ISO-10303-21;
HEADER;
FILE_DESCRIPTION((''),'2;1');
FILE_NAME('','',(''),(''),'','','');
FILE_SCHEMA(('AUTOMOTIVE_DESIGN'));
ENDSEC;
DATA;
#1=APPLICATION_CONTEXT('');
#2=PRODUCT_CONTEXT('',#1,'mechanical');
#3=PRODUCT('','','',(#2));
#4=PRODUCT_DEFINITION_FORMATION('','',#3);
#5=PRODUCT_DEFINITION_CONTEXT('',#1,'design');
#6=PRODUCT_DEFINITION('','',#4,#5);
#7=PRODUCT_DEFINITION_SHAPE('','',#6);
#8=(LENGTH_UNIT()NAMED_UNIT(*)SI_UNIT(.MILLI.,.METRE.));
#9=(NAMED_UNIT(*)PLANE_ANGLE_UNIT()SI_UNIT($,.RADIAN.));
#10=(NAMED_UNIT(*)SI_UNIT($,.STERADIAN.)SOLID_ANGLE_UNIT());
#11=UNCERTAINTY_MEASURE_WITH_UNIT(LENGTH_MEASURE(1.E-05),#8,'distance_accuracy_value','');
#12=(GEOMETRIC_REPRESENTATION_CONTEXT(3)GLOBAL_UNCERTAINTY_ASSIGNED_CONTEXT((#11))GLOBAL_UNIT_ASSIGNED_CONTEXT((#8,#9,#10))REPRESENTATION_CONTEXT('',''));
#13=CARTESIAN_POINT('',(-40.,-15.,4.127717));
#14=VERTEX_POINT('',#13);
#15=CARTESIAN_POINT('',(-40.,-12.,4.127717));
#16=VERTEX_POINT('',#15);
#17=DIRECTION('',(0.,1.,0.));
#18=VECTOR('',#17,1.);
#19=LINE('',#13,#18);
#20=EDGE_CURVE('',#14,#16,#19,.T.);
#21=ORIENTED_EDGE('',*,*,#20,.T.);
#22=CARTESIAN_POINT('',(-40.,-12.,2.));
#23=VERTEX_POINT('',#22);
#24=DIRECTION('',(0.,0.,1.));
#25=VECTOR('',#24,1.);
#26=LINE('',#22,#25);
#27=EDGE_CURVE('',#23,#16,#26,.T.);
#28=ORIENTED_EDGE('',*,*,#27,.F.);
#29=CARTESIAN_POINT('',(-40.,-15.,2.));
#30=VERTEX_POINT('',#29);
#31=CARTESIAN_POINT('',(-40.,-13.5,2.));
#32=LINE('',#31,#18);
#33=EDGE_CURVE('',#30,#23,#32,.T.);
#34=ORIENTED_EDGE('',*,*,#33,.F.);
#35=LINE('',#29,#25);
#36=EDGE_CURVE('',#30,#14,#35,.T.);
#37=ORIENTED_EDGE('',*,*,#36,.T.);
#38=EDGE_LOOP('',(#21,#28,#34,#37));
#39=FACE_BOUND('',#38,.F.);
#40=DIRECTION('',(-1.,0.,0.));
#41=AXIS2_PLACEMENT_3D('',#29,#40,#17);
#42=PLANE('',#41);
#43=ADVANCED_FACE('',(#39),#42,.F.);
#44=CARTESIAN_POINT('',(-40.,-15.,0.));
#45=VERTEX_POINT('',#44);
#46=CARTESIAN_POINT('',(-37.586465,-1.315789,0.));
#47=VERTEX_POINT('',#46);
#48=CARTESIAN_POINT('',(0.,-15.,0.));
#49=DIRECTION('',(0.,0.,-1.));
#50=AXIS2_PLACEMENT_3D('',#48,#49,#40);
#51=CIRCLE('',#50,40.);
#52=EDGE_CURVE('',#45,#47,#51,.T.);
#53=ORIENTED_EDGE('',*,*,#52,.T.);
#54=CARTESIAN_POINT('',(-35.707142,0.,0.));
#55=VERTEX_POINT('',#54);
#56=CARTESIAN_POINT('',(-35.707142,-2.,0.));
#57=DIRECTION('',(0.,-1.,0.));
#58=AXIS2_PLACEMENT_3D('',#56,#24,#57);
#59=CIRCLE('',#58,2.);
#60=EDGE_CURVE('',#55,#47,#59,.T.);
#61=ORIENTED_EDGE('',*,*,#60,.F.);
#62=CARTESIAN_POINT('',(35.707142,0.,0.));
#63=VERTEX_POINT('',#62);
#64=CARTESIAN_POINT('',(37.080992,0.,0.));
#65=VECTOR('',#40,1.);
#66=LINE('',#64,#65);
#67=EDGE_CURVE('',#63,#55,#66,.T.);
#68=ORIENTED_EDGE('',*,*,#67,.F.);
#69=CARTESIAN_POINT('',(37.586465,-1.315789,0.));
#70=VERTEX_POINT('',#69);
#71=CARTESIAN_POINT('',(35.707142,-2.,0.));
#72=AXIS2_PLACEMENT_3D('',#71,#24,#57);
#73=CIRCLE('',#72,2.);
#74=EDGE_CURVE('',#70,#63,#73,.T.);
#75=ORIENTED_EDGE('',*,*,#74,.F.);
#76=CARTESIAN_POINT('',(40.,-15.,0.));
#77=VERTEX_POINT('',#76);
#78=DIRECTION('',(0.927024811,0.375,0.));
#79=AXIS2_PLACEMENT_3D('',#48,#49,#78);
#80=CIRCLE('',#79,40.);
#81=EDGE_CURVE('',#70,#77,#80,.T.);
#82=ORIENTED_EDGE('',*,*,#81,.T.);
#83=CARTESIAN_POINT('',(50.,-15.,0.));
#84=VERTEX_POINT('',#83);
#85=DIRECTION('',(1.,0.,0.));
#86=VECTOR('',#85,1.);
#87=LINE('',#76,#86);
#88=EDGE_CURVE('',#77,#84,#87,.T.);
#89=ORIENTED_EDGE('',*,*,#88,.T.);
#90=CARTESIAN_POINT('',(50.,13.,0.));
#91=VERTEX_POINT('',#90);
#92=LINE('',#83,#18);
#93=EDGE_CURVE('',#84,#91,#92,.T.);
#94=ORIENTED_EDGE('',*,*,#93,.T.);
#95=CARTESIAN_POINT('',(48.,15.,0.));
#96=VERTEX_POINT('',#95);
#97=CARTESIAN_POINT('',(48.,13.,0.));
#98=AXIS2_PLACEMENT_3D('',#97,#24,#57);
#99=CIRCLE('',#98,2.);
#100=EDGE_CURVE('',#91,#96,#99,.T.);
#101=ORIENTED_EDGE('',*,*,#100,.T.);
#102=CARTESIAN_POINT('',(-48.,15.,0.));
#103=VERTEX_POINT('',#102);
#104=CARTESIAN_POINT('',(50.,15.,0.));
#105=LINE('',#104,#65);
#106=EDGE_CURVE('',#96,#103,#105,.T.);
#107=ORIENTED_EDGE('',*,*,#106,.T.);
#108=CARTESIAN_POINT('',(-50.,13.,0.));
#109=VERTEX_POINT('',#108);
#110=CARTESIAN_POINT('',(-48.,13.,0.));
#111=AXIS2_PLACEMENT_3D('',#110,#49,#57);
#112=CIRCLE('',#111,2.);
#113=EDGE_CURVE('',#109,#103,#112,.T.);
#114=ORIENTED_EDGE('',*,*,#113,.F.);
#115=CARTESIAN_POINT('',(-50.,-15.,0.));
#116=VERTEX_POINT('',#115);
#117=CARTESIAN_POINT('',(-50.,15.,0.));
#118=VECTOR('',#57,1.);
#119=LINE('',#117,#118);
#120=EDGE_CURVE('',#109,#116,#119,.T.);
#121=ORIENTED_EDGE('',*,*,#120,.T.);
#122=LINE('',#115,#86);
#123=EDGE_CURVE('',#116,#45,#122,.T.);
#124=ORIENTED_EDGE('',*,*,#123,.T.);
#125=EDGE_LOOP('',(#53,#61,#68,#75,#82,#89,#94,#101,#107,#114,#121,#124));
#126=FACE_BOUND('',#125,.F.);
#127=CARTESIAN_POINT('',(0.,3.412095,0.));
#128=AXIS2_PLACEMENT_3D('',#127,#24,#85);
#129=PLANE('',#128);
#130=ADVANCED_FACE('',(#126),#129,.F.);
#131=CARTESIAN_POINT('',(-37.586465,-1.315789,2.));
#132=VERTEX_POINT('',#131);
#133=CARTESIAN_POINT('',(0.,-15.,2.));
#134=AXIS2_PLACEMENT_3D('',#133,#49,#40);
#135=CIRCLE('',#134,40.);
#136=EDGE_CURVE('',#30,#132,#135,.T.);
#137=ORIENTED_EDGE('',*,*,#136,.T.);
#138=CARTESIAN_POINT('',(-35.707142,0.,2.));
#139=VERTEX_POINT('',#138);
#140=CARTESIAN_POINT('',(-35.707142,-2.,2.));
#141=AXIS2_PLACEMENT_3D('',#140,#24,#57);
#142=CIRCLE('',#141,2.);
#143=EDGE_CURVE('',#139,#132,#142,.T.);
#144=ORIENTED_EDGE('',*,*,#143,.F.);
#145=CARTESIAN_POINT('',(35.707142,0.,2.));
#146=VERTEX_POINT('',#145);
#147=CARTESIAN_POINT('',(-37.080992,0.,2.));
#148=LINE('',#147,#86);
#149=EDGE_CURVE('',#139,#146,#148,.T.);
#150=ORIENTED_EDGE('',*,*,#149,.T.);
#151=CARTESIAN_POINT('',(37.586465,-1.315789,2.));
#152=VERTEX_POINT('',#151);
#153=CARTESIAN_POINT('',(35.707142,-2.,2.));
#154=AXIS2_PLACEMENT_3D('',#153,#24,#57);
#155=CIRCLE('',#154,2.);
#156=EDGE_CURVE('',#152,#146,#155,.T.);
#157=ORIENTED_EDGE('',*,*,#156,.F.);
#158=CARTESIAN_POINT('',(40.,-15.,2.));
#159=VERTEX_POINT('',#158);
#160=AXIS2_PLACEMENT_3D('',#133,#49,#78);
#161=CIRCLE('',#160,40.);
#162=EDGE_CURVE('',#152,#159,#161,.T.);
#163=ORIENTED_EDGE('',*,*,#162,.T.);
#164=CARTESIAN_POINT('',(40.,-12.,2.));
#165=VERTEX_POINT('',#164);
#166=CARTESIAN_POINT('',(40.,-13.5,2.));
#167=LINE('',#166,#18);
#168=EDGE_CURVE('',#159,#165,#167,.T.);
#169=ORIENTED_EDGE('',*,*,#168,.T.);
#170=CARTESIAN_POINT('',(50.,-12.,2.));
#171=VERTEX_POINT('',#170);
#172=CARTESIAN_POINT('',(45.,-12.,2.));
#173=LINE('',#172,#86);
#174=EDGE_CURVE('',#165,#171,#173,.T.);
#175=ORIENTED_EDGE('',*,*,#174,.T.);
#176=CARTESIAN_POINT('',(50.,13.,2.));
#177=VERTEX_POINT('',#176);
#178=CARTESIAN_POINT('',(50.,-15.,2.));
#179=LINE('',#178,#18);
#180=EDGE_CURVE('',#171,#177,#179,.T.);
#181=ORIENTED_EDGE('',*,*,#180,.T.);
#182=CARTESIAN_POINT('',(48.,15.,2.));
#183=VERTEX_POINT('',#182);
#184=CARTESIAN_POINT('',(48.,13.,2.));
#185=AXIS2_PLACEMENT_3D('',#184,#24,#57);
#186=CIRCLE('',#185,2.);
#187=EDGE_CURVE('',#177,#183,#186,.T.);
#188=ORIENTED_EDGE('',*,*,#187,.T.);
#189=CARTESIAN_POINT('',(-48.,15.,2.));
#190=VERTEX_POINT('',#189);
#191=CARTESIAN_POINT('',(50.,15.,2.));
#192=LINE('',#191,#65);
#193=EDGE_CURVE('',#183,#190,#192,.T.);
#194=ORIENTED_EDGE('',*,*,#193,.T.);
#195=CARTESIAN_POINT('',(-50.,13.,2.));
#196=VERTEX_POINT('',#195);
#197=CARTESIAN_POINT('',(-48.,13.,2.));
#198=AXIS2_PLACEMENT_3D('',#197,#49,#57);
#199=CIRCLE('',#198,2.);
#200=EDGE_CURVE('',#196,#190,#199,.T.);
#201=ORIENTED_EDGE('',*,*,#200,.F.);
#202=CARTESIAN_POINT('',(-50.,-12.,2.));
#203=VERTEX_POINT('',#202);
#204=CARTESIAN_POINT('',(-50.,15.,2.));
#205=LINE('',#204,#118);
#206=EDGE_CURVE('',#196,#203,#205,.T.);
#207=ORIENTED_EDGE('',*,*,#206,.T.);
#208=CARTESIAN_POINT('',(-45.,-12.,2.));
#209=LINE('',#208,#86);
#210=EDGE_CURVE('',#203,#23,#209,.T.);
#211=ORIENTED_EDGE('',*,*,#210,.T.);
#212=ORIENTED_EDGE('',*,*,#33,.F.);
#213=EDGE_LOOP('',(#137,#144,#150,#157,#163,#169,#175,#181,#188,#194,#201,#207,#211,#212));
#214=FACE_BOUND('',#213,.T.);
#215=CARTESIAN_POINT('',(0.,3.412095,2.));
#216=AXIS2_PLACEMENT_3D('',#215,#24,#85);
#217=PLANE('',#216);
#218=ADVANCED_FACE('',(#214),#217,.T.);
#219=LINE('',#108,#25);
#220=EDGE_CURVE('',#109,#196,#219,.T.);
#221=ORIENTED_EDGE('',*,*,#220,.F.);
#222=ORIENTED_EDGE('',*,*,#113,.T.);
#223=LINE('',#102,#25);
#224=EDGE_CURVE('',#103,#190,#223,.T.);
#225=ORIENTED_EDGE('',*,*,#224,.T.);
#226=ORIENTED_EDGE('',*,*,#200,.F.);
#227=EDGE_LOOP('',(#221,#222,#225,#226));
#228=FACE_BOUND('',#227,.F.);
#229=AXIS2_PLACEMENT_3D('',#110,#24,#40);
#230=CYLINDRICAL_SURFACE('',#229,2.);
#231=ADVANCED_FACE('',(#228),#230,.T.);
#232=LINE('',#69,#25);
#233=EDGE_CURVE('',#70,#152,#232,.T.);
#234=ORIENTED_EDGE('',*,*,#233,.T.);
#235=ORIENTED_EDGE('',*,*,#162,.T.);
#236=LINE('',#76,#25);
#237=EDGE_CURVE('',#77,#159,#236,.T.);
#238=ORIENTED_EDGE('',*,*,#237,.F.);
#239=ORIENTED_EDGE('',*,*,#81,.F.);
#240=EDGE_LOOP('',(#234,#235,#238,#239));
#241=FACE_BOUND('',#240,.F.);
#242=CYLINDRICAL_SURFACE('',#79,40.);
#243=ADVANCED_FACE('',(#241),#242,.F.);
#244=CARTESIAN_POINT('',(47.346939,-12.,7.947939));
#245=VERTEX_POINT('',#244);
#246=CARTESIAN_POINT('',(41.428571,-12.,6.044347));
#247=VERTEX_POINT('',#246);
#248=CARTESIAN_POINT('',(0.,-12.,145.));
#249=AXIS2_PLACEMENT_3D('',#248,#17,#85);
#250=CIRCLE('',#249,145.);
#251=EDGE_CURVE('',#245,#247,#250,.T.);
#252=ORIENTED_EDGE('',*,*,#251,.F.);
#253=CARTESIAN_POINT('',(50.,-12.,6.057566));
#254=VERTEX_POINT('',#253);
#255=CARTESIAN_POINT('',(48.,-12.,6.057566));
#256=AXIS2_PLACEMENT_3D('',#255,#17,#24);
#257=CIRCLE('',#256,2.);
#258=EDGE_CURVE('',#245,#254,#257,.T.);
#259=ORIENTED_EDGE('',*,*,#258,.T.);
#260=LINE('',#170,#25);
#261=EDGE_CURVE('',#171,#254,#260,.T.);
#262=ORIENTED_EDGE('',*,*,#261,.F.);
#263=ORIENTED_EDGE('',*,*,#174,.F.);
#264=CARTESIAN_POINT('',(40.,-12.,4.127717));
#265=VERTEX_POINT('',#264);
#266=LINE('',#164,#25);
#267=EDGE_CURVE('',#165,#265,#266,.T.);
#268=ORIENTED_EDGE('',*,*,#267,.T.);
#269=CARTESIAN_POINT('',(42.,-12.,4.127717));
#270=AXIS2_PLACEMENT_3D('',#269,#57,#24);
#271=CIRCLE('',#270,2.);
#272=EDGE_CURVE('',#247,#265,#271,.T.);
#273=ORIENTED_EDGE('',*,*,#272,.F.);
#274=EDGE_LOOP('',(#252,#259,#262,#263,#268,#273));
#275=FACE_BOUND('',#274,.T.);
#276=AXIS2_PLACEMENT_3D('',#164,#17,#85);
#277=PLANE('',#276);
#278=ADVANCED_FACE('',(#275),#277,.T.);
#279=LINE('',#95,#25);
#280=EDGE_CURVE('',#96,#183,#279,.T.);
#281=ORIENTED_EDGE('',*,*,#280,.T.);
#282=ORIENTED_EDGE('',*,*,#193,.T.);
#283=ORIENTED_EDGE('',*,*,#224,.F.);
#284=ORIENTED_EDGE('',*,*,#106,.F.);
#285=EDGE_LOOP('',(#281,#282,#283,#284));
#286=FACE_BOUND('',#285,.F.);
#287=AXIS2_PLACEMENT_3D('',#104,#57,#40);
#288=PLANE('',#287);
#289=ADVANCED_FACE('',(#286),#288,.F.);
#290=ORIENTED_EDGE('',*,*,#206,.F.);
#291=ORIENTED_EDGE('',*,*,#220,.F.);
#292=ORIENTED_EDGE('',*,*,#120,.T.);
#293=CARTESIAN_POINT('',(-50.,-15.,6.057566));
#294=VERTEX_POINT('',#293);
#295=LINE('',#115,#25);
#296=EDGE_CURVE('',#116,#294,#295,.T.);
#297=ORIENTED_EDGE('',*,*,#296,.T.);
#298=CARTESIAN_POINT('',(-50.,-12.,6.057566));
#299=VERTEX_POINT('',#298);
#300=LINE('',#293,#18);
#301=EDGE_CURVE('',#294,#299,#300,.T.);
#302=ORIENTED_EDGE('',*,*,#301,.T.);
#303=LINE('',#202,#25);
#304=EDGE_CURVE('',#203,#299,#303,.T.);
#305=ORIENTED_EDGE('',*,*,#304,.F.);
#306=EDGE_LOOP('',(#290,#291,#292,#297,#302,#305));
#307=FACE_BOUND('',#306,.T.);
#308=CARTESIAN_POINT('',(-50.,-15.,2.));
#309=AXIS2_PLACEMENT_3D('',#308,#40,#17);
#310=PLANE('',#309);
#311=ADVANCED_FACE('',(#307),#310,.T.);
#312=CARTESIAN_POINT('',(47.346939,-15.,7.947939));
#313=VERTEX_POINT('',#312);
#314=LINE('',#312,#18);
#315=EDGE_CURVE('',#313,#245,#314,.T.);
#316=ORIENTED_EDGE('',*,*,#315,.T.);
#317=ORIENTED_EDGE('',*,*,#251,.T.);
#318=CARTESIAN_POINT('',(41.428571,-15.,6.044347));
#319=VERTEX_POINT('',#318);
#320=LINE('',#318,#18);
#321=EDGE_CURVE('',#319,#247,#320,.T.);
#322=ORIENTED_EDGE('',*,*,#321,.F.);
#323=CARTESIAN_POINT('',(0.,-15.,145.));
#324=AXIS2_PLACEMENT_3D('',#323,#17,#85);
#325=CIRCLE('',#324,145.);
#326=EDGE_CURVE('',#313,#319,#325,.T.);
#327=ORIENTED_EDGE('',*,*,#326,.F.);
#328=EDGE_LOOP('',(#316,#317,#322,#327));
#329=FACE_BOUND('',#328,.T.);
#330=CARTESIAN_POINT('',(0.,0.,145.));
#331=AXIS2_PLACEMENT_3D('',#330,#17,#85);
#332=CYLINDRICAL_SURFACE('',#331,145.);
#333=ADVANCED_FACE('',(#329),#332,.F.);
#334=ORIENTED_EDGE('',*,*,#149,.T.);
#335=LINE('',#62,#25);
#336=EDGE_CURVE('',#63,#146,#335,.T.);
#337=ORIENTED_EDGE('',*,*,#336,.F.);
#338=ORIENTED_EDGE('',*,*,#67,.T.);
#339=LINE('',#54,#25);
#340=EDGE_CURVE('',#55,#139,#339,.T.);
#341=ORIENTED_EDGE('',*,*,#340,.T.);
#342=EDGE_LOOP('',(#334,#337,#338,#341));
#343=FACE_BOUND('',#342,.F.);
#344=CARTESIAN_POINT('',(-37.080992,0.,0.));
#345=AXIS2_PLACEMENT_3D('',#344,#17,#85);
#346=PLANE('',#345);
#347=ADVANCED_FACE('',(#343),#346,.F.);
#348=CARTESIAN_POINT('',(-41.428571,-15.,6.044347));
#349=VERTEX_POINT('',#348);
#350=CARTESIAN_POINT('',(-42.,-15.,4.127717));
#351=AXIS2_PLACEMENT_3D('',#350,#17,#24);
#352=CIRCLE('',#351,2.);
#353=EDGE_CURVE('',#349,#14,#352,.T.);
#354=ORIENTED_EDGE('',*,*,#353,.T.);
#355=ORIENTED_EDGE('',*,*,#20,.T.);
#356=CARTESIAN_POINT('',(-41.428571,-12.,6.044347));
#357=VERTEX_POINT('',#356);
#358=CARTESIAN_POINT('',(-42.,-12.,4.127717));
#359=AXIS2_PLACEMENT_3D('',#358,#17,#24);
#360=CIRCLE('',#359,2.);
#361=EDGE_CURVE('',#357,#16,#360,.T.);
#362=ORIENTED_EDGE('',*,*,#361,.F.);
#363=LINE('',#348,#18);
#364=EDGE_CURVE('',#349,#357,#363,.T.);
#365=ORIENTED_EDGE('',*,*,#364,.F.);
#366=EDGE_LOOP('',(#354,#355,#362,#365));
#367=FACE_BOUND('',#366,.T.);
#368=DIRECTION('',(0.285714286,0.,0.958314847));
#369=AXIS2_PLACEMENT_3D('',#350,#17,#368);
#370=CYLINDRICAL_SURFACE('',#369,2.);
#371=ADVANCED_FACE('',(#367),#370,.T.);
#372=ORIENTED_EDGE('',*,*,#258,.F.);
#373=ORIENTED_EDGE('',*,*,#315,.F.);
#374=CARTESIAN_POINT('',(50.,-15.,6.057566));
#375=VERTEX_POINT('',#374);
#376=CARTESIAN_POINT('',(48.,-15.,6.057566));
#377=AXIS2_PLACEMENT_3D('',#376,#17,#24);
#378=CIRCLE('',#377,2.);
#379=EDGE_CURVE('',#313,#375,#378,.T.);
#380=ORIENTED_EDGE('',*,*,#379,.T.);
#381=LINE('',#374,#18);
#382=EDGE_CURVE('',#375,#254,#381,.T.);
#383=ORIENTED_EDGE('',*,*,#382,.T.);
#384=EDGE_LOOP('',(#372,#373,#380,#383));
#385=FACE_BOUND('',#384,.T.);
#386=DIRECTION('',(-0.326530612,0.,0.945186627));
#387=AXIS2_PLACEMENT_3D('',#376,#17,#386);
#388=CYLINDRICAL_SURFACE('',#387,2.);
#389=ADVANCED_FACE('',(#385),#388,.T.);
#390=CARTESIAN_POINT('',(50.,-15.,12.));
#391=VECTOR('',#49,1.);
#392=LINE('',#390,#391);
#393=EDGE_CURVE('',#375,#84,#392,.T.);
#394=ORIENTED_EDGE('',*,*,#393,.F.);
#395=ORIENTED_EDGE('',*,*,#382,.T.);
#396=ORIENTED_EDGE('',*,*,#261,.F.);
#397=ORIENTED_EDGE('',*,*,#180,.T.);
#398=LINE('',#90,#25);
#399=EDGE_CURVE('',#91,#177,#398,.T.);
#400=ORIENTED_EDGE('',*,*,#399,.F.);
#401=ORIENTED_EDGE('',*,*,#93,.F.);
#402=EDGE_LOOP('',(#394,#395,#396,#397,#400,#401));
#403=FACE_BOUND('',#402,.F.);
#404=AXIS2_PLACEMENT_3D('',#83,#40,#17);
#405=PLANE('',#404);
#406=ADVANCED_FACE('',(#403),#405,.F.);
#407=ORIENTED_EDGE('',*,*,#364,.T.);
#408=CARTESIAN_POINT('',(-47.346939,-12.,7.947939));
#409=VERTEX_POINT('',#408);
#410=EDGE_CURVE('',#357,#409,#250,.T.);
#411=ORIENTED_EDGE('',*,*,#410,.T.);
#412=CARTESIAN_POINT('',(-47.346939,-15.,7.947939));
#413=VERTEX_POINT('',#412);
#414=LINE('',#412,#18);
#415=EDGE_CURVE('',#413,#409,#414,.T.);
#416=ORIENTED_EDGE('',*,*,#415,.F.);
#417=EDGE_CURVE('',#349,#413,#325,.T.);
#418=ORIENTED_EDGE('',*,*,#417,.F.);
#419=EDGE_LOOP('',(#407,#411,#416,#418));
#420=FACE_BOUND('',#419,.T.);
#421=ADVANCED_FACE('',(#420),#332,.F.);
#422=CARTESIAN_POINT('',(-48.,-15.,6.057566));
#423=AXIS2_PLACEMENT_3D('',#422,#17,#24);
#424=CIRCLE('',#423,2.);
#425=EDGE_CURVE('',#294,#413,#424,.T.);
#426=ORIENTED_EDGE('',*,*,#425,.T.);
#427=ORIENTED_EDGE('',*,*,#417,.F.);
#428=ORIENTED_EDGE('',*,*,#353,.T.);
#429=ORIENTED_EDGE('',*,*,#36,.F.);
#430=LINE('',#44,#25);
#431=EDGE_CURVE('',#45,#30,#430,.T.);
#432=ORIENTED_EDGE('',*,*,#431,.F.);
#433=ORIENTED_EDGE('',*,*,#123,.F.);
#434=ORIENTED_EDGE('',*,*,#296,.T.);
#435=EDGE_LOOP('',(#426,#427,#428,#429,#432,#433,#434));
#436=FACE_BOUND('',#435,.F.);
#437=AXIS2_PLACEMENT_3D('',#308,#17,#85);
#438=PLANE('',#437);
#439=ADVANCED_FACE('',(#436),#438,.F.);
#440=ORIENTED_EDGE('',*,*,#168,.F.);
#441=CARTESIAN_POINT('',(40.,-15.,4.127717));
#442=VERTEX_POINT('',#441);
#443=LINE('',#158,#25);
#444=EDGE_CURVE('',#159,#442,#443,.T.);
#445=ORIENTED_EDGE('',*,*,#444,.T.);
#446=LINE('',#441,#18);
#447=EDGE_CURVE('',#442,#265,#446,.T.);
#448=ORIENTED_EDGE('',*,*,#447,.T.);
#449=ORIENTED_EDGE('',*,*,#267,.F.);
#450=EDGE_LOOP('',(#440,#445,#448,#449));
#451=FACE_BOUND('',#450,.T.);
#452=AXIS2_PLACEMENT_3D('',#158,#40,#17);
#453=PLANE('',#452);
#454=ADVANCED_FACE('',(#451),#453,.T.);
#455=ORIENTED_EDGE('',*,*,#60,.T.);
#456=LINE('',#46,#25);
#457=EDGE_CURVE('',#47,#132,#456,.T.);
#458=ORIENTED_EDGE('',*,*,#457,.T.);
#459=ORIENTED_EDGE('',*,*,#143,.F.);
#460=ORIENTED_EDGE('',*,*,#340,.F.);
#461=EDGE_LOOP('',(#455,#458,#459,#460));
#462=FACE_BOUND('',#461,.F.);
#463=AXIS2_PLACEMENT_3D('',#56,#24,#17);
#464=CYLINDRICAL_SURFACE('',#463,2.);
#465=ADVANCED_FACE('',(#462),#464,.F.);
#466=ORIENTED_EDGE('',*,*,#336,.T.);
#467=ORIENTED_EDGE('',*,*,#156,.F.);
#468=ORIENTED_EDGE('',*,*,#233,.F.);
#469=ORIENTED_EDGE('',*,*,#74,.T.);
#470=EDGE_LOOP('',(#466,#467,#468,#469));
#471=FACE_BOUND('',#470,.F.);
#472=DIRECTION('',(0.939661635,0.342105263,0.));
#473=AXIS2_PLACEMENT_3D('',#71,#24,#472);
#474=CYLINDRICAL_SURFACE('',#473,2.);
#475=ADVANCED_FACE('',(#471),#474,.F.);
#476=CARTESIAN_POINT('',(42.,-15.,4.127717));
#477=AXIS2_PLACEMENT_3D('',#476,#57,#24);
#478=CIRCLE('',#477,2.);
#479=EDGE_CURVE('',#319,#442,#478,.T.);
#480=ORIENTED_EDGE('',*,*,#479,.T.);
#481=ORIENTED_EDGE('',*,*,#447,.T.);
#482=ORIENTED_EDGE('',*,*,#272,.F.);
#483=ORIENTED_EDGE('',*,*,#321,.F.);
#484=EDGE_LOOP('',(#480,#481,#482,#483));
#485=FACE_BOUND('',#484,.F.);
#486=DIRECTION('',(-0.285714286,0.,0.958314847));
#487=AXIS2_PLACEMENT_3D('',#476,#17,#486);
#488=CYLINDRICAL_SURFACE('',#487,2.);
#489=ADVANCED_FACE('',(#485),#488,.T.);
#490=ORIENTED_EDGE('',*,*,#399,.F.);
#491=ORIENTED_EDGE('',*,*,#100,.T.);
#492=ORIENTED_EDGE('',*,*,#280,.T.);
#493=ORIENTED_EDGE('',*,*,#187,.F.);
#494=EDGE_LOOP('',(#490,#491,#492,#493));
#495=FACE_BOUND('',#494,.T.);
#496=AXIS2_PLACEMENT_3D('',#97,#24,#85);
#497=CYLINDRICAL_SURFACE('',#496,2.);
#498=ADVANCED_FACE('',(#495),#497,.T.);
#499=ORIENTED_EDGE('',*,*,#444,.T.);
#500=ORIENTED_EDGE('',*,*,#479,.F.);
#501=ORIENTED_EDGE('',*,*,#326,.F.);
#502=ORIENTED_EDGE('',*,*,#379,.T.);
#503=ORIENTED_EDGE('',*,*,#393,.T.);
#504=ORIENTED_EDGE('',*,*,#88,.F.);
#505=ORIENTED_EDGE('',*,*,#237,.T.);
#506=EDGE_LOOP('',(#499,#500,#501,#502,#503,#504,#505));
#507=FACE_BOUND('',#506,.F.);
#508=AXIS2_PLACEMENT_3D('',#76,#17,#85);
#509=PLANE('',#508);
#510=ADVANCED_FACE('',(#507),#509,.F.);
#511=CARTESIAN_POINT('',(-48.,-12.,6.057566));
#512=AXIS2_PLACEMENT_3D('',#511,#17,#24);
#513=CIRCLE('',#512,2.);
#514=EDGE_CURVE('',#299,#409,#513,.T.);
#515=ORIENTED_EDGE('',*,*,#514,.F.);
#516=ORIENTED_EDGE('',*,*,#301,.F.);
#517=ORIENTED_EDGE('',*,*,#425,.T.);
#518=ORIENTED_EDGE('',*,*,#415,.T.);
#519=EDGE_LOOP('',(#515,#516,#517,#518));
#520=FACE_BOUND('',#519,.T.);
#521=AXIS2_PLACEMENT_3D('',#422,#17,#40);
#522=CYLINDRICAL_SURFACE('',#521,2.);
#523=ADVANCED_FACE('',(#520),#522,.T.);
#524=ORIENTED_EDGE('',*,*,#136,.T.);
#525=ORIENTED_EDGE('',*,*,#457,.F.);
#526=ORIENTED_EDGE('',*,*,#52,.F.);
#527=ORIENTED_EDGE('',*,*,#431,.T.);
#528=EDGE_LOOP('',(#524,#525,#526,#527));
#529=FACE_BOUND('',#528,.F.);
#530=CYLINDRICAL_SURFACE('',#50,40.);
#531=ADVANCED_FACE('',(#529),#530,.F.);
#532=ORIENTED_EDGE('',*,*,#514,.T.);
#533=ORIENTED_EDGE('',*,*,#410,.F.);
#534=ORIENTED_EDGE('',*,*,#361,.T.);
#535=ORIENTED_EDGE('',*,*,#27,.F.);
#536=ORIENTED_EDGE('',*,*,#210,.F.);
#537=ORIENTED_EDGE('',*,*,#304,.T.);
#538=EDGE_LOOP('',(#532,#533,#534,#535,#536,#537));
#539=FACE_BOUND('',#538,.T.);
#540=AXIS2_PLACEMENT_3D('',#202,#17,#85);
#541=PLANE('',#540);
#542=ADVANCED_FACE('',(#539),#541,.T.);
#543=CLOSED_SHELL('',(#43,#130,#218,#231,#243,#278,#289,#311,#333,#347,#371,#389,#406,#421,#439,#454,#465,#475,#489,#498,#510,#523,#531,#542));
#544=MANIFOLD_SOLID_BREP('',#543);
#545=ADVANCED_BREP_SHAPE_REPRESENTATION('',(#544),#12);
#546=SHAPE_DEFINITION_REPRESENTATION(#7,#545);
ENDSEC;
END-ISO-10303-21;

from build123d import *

# Parameters (mm, degrees)
F1_DEPTH = 2
F2_W     = 10
F2_H     = 3
F3_DEPTH = 10
F4_R     = 145
F5_DEPTH = 25
F6_R     = 2


with BuildPart() as f1:
    # F0 (on Top) → F1 (new body)
    with BuildSketch(Plane.XY):
        with BuildLine():
            Line((50, 15), (-50, 15))
            Line((-50, 15), (-50, -15))
            Line((-50, -15), (-40, -15))
            ThreePointArc((-40, -15), (-39.2634671, -7.3593095017), (-37.0809924355, 0))
            Line((-37.0809924355, 0), (37.0809924355, 0))
            ThreePointArc((37.0809924355, 0), (39.2634671, -7.3593095017), (40, -15))
            Line((40, -15), (50, -15))
            Line((50, -15), (50, 15))
        make_face()
    extrude(amount=F1_DEPTH)

    # F2 (on face) → F3 (join)
    with BuildSketch(Plane.XY.offset(2)):
        with Locations((-45, -13.5)):
            Rectangle(F2_W, F2_H)
        with Locations((45, -13.5)):
            Rectangle(F2_W, F2_H)
    extrude(amount=F3_DEPTH)

    # F4 (on Front) → F5 (cut)
    with BuildSketch(Plane.XZ):
        with Locations((0, 145)):
            Circle(F4_R)
    extrude(amount=F5_DEPTH, mode=Mode.SUBTRACT)

    # F6
    f6_edges = [f1.edges().sort_by_distance(p)[0] for p in [
        (-50, -13.5, 8.893424),
        (50, -13.5, 8.893424),
        (-40, -13.5, 5.626401),
        (40, -13.5, 5.626401),
        (37.080992, 0, 1),
        (-37.080992, 0, 1),
        (-50, 15, 1),
        (50, 15, 1),
    ]]
    fillet(f6_edges, radius=F6_R)


solid = f1.part
